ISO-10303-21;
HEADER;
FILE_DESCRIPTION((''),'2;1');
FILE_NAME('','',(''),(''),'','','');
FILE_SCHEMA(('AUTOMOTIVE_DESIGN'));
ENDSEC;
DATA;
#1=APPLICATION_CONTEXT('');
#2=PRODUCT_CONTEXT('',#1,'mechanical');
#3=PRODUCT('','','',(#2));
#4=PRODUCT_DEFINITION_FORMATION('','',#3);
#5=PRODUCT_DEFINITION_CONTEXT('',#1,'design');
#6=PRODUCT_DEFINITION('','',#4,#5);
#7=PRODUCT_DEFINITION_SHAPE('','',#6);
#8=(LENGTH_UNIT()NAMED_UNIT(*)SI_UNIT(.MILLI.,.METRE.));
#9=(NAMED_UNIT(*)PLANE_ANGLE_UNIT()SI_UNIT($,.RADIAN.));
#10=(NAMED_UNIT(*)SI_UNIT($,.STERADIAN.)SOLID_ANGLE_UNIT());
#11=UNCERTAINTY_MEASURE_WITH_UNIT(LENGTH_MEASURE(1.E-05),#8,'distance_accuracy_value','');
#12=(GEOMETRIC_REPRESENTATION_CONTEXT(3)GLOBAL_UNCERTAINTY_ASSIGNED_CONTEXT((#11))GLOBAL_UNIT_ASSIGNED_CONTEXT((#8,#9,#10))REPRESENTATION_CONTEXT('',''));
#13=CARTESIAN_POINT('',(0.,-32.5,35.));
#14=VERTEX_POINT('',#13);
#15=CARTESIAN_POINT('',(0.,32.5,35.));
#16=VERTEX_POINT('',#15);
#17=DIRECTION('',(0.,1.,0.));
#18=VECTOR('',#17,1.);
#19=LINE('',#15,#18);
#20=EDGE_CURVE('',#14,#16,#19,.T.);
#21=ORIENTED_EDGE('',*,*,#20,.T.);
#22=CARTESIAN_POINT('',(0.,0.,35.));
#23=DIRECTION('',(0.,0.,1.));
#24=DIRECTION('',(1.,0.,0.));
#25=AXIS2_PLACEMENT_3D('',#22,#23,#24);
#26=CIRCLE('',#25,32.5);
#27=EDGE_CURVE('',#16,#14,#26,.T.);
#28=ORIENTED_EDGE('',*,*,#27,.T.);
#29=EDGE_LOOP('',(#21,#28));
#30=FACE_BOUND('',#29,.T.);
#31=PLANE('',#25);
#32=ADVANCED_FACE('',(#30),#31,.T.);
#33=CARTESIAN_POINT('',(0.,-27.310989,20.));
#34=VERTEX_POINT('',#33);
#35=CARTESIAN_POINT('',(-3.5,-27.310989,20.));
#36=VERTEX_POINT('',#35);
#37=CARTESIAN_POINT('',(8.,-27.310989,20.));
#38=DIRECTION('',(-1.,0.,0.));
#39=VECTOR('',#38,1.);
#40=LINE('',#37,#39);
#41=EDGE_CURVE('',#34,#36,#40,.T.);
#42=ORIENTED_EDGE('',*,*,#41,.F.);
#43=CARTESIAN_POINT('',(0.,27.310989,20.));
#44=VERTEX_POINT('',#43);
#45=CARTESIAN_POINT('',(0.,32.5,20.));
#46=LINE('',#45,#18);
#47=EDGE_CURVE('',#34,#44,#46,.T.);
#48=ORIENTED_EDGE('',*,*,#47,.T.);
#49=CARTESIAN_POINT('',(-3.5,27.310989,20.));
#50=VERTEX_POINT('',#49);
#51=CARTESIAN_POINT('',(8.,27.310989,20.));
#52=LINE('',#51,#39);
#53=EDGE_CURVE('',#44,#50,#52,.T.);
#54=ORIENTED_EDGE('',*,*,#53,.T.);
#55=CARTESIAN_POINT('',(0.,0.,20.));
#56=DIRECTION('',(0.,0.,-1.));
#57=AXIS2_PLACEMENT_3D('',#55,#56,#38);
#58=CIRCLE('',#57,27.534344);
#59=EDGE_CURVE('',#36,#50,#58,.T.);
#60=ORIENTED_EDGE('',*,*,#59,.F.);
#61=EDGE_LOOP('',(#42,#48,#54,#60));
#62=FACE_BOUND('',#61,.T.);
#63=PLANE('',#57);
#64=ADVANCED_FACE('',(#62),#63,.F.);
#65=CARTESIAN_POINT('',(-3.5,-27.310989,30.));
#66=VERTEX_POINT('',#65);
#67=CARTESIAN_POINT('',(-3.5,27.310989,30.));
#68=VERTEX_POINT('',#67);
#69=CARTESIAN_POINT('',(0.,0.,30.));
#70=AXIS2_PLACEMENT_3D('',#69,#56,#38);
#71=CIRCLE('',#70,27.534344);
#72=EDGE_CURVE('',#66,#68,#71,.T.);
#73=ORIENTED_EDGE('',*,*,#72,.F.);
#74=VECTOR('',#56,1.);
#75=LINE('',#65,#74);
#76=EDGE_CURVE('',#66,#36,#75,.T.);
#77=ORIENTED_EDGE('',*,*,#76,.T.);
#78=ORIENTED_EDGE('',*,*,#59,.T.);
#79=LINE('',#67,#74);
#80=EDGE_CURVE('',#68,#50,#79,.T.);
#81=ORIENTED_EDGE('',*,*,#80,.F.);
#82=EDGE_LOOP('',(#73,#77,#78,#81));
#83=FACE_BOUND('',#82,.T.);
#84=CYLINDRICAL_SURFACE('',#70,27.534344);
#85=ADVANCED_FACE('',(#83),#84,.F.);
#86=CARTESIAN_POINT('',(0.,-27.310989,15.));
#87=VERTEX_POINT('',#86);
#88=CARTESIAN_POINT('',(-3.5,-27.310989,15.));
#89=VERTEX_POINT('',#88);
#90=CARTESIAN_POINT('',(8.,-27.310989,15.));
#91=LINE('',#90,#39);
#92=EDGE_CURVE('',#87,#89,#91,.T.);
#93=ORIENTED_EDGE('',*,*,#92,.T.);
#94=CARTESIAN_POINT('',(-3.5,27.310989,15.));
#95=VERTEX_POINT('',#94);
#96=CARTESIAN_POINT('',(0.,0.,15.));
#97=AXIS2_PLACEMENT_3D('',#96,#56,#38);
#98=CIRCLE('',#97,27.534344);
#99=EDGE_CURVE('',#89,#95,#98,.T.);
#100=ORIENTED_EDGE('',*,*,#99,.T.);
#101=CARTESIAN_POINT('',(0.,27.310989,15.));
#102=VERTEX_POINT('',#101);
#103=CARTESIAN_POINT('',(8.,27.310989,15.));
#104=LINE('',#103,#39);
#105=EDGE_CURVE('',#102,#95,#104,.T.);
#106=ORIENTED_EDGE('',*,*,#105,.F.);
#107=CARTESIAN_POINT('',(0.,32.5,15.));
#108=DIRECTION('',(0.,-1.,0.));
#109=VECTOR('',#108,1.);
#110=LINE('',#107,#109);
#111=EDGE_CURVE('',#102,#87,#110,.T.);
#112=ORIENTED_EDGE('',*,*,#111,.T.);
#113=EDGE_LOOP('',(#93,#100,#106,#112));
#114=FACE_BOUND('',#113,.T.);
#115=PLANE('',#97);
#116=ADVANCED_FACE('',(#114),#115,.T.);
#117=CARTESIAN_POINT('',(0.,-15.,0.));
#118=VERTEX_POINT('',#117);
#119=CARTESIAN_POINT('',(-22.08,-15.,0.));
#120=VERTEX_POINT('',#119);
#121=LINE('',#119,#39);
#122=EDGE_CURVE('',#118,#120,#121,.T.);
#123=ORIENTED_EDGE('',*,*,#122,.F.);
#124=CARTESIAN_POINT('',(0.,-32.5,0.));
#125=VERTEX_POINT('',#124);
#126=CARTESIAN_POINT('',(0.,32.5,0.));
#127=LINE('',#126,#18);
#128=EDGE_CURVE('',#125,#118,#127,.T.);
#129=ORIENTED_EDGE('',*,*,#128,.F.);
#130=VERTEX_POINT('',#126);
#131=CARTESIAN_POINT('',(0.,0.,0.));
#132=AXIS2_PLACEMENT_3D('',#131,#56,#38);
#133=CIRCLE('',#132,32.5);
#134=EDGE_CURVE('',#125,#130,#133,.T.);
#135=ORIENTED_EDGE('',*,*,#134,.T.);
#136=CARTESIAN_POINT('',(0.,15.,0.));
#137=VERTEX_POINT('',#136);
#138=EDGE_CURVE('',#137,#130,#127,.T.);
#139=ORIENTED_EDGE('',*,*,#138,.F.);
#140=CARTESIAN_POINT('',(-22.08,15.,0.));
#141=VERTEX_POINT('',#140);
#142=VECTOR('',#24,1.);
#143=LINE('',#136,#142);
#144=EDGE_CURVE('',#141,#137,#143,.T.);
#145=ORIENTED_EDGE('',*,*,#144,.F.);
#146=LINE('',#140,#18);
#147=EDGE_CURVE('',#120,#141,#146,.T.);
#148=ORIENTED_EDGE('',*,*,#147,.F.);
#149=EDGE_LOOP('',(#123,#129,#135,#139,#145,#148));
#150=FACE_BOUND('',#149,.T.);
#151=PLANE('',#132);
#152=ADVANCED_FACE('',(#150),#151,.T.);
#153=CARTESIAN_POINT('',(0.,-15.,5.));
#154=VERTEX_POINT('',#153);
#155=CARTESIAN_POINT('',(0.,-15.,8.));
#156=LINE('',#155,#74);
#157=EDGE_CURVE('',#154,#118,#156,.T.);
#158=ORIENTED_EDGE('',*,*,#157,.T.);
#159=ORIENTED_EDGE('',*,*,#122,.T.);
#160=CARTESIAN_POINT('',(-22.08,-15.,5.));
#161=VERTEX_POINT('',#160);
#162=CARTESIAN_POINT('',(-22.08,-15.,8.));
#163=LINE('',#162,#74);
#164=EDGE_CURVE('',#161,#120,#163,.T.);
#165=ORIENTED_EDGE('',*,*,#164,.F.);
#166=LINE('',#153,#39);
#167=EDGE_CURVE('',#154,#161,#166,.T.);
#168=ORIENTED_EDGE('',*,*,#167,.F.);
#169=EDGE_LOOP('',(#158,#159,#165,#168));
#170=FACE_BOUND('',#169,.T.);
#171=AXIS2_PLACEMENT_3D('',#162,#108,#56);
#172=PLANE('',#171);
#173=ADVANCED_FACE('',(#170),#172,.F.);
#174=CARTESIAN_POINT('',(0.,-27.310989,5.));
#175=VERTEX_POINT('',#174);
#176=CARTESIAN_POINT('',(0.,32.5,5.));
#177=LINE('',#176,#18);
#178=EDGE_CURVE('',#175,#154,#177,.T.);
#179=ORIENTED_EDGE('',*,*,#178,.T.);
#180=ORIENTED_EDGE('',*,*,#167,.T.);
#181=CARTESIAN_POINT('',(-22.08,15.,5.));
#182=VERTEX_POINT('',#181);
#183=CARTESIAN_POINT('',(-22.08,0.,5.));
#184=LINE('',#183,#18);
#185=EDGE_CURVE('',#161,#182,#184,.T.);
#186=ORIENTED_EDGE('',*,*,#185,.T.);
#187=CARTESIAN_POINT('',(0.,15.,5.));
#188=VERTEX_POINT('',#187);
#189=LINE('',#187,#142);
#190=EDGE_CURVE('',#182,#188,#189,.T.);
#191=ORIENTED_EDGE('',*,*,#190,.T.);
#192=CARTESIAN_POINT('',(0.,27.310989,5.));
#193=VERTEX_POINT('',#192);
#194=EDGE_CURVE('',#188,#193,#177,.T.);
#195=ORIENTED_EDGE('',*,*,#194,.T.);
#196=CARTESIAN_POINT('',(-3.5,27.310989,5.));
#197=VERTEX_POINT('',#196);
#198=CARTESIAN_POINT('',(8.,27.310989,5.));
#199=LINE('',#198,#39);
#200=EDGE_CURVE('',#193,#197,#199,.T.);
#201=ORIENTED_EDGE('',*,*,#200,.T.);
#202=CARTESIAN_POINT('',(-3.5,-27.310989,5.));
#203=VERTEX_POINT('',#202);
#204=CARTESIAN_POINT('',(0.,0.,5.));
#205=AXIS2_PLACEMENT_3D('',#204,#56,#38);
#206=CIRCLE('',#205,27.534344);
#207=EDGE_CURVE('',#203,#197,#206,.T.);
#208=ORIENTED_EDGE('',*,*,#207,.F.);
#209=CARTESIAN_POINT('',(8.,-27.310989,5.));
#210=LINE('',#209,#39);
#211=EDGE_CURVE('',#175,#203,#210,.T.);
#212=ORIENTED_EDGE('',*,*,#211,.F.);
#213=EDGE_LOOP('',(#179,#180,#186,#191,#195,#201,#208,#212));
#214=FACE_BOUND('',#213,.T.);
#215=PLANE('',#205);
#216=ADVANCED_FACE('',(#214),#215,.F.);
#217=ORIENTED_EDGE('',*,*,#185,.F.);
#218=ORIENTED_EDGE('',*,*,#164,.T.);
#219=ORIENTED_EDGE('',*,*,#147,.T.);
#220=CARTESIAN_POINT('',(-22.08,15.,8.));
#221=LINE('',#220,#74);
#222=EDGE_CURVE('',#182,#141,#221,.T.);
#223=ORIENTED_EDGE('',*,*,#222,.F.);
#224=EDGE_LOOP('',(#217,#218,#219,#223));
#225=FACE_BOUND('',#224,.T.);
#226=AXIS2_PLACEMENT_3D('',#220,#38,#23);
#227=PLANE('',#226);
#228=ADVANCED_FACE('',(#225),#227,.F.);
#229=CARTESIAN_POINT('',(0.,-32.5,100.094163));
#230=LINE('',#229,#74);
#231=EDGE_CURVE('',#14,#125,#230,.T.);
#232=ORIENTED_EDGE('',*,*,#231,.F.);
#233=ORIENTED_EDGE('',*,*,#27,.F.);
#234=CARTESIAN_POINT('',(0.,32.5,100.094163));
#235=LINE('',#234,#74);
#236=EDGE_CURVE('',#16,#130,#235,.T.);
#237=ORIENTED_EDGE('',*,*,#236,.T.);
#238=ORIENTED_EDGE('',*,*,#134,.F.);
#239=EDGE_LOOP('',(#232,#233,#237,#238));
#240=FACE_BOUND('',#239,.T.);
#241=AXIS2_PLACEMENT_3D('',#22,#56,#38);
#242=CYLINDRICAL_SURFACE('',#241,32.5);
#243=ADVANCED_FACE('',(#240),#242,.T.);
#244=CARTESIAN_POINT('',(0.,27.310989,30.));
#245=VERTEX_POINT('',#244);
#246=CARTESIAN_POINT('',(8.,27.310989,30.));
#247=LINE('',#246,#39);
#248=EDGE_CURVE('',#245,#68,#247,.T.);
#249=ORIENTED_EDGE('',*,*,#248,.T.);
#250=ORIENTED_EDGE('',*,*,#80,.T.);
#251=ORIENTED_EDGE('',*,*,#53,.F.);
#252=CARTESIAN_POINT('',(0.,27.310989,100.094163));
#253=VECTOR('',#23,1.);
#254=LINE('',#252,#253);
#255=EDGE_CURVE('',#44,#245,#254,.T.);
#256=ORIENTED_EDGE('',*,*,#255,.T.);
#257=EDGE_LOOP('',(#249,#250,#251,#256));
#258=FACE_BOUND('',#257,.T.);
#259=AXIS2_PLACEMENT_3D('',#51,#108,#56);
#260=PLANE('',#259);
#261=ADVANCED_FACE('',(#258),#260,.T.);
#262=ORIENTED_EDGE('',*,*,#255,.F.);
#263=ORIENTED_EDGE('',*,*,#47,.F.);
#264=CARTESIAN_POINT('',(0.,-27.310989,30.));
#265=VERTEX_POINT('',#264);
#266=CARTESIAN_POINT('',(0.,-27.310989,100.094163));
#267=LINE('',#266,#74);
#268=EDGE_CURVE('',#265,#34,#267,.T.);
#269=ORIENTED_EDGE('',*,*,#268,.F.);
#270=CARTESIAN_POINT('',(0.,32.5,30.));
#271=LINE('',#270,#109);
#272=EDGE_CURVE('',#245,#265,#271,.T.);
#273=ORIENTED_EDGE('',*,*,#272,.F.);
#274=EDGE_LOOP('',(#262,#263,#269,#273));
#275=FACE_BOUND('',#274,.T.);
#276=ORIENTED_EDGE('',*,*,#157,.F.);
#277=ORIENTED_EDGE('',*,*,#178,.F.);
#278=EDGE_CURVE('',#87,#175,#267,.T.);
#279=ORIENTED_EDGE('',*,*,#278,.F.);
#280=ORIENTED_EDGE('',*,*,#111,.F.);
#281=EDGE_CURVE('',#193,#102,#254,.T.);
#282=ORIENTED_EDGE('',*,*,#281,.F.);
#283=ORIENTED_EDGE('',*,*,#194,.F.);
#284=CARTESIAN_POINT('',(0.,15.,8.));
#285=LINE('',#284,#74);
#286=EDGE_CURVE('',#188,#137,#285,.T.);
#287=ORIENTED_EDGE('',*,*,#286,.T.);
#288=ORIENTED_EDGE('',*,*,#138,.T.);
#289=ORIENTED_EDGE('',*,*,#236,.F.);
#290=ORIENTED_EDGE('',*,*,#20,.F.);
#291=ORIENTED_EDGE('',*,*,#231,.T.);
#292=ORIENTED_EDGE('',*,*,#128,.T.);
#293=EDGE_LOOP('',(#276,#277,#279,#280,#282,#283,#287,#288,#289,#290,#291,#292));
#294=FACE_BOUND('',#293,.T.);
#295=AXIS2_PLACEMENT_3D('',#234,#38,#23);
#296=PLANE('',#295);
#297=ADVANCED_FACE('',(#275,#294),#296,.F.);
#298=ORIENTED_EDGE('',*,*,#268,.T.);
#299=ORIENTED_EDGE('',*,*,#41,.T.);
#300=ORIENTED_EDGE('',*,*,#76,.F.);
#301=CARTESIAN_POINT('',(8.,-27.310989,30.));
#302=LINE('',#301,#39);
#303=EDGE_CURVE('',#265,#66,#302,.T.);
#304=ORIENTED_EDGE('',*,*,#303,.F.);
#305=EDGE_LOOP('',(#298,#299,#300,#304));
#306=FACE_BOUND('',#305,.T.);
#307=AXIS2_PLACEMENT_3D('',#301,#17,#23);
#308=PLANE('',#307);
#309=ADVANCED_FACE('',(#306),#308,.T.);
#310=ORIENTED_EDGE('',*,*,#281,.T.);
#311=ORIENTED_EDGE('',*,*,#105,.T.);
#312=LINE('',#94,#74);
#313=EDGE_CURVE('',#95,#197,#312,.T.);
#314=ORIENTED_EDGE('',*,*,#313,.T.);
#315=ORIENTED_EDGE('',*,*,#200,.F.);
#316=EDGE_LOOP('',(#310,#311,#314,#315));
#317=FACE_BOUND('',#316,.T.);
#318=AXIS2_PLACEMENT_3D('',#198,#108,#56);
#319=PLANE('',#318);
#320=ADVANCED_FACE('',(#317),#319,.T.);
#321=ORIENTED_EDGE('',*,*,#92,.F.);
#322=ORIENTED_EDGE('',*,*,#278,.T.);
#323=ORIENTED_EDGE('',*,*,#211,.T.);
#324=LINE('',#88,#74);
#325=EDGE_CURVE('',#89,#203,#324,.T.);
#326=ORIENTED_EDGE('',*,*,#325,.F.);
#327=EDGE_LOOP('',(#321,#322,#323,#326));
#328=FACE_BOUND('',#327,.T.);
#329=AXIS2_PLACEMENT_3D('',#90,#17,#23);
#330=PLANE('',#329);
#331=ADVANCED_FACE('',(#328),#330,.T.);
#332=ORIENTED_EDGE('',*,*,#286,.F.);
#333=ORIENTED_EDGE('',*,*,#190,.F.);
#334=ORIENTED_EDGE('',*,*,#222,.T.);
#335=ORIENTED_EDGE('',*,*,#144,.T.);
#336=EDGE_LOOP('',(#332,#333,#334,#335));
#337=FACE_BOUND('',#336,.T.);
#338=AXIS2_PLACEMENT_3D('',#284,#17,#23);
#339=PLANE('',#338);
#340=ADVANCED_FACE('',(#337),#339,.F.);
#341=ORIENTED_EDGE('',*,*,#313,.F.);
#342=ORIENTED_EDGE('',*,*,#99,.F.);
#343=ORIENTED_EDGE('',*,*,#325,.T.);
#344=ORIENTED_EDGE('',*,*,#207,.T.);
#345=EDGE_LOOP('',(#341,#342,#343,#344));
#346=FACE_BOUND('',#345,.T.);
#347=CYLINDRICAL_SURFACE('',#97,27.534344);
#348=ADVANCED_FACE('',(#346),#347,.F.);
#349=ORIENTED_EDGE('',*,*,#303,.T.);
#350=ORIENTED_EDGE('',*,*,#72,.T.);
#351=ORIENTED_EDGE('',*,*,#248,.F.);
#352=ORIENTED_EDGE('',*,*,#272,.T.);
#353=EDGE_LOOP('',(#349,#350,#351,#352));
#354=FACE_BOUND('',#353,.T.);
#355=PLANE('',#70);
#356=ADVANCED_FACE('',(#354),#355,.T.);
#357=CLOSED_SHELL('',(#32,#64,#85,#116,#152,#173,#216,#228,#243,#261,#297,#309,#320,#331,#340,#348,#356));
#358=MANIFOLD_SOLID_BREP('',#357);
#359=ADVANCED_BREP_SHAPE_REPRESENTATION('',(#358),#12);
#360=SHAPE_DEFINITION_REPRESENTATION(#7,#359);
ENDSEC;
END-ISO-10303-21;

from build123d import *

# Parameters (mm, degrees)
BOSS_EXTRUDE3_DEPTH = 35
CUT_EXTRUDE2_START  = -5
CUT_EXTRUDE2_DEPTH  = 10
CUT_EXTRUDE3_START  = -20
CUT_EXTRUDE3_DEPTH  = 10
SKETCH5_R           = 32.5
BOSS_EXTRUDE6_DEPTH = 2
CUT_EXTRUDE4_START  = -2
CUT_EXTRUDE4_DEPTH  = 2
SKETCH8_R           = 2.5
CUT_EXTRUDE5_DEPTH  = 60.004237136
BOSS_EXTRUDE8_DEPTH = 35
SKETCH10_W          = 10
SKETCH10_H          = 54.621977686
CUT_EXTRUDE6_DEPTH  = 11.5
SKETCH8_4_R         = 2.5
CUT_EXTRUDE7_DEPTH  = 10
SKETCH13_R          = 35.016935796
CUT_EXTRUDE10_DEPTH = 2
SKETCH14_R          = 6
CUT_EXTRUDE11_DEPTH = 8
CUT_EXTRUDE12_DEPTH = 8


with BuildPart() as part:
    # Sketch1 → Boss-Extrude3 (new body)
    with BuildSketch(Plane.XY):
        with BuildLine():
            Line((-3.5, 32.310988843), (-3.5, -32.310988843))
            ThreePointArc((-3.5, -32.310988843), (-32.5, 0), (-3.5, 32.310988843))
        make_face()
    extrude(amount=BOSS_EXTRUDE3_DEPTH)

    # Sketch4 → Cut-Extrude2 (cut)
    with BuildSketch(Plane(origin=(0, 0, 0), x_dir=(-1, 0, 0), z_dir=(0, 0, -1)).offset(CUT_EXTRUDE2_START)):
        with BuildLine():
            Line((3.5, 0), (3.5, 27.310988843))
            ThreePointArc((3.5, 27.310988843), (27.534344219, 0), (3.5, -27.310988843))
            Line((3.5, -27.310988843), (3.5, 0))
        make_face()
    extrude(amount=-CUT_EXTRUDE2_DEPTH, mode=Mode.SUBTRACT)

    # Sketch4<9> → Cut-Extrude3 (cut)
    with BuildSketch(Plane(origin=(0, 0, 0), x_dir=(-1, 0, 0), z_dir=(0, 0, -1)).offset(CUT_EXTRUDE3_START)):
        with BuildLine():
            Line((3.5, 0), (3.5, 27.310988843))
            ThreePointArc((3.5, 27.310988843), (27.534344219, 0), (3.5, -27.310988843))
            Line((3.5, -27.310988843), (3.5, 0))
        make_face()
    extrude(amount=-CUT_EXTRUDE3_DEPTH, mode=Mode.SUBTRACT)

    # Sketch5 → Boss-Extrude6 (add, symmetric)
    with BuildSketch(Plane(origin=(0, 0, 0), x_dir=(-1, 0, 0), z_dir=(0, 0, -1))):
        Circle(SKETCH5_R)
    extrude(amount=BOSS_EXTRUDE6_DEPTH, both=True)

    # Sketch6 → Cut-Extrude4 (cut)
    with BuildSketch(Plane.XY.offset(2).offset(CUT_EXTRUDE4_START)):
        with BuildLine():
            Line((-3.5, 32.310988843), (-3.5, -32.310988843))
            ThreePointArc((-3.5, -32.310988843), (32.5, 0), (-3.5, 32.310988843))
        make_face()
    extrude(amount=CUT_EXTRUDE4_DEPTH, mode=Mode.SUBTRACT)

    # Sketch8 → Cut-Extrude5 (cut, through all)
    with BuildSketch(Plane(origin=(0, 0, -2), x_dir=(-1, 0, 0), z_dir=(0, 0, -1))):
        Circle(SKETCH8_R)
    extrude(amount=-CUT_EXTRUDE5_DEPTH, mode=Mode.SUBTRACT)

    # Sketch12 → Boss-Extrude8 (add)
    with BuildSketch(Plane.XY):
        with BuildLine():
            Line((0, 32.5), (0, -32.5))
            ThreePointArc((0, -32.5), (-1.752549943, -32.452712809), (-3.5, -32.310988843))
            Line((-3.5, -32.310988843), (-3.5, 32.310988843))
            ThreePointArc((-3.5, 32.310988843), (-1.752549943, 32.452712809), (0, 32.5))
        make_face()
    extrude(amount=BOSS_EXTRUDE8_DEPTH)

    # Sketch10 → Cut-Extrude6 (cut)
    with BuildSketch(Plane(origin=(-3.5, 0, 0), x_dir=(0, 0, -1), z_dir=(1, 0, 0))):
        with Locations((-10, 0)):
            Rectangle(SKETCH10_W, SKETCH10_H)
        with Locations((-25, 0)):
            Rectangle(SKETCH10_W, SKETCH10_H)
    extrude(amount=CUT_EXTRUDE6_DEPTH, mode=Mode.SUBTRACT)

    # Sketch8<4> → Cut-Extrude7 (cut)
    with BuildSketch(Plane(origin=(0, 0, -2), x_dir=(-1, 0, 0), z_dir=(0, 0, -1))):
        Circle(SKETCH8_4_R)
    extrude(amount=-CUT_EXTRUDE7_DEPTH, mode=Mode.SUBTRACT)

    # Sketch13 → Cut-Extrude10 (cut)
    with BuildSketch(Plane(origin=(0, 0, -2), x_dir=(-1, 0, 0), z_dir=(0, 0, -1))):
        Circle(SKETCH13_R)
    extrude(amount=-CUT_EXTRUDE10_DEPTH, mode=Mode.SUBTRACT)

    # Sketch14 → Cut-Extrude11 (cut)
    with BuildSketch(Plane(origin=(0, 0, 0), x_dir=(-1, 0, 0), z_dir=(0, 0, -1))):
        Circle(SKETCH14_R)
    extrude(amount=-CUT_EXTRUDE11_DEPTH, mode=Mode.SUBTRACT)

    # Sketch15 → Cut-Extrude12 (cut)
    with BuildSketch(Plane(origin=(0, 0, 0), x_dir=(-1, 0, 0), z_dir=(0, 0, -1))):
        Polygon((0, 0), (0, 15), (22.08, 15), (22.08, -15), (0, -15), align=None)
    extrude(amount=-CUT_EXTRUDE12_DEPTH, mode=Mode.SUBTRACT)


solid = part.part
